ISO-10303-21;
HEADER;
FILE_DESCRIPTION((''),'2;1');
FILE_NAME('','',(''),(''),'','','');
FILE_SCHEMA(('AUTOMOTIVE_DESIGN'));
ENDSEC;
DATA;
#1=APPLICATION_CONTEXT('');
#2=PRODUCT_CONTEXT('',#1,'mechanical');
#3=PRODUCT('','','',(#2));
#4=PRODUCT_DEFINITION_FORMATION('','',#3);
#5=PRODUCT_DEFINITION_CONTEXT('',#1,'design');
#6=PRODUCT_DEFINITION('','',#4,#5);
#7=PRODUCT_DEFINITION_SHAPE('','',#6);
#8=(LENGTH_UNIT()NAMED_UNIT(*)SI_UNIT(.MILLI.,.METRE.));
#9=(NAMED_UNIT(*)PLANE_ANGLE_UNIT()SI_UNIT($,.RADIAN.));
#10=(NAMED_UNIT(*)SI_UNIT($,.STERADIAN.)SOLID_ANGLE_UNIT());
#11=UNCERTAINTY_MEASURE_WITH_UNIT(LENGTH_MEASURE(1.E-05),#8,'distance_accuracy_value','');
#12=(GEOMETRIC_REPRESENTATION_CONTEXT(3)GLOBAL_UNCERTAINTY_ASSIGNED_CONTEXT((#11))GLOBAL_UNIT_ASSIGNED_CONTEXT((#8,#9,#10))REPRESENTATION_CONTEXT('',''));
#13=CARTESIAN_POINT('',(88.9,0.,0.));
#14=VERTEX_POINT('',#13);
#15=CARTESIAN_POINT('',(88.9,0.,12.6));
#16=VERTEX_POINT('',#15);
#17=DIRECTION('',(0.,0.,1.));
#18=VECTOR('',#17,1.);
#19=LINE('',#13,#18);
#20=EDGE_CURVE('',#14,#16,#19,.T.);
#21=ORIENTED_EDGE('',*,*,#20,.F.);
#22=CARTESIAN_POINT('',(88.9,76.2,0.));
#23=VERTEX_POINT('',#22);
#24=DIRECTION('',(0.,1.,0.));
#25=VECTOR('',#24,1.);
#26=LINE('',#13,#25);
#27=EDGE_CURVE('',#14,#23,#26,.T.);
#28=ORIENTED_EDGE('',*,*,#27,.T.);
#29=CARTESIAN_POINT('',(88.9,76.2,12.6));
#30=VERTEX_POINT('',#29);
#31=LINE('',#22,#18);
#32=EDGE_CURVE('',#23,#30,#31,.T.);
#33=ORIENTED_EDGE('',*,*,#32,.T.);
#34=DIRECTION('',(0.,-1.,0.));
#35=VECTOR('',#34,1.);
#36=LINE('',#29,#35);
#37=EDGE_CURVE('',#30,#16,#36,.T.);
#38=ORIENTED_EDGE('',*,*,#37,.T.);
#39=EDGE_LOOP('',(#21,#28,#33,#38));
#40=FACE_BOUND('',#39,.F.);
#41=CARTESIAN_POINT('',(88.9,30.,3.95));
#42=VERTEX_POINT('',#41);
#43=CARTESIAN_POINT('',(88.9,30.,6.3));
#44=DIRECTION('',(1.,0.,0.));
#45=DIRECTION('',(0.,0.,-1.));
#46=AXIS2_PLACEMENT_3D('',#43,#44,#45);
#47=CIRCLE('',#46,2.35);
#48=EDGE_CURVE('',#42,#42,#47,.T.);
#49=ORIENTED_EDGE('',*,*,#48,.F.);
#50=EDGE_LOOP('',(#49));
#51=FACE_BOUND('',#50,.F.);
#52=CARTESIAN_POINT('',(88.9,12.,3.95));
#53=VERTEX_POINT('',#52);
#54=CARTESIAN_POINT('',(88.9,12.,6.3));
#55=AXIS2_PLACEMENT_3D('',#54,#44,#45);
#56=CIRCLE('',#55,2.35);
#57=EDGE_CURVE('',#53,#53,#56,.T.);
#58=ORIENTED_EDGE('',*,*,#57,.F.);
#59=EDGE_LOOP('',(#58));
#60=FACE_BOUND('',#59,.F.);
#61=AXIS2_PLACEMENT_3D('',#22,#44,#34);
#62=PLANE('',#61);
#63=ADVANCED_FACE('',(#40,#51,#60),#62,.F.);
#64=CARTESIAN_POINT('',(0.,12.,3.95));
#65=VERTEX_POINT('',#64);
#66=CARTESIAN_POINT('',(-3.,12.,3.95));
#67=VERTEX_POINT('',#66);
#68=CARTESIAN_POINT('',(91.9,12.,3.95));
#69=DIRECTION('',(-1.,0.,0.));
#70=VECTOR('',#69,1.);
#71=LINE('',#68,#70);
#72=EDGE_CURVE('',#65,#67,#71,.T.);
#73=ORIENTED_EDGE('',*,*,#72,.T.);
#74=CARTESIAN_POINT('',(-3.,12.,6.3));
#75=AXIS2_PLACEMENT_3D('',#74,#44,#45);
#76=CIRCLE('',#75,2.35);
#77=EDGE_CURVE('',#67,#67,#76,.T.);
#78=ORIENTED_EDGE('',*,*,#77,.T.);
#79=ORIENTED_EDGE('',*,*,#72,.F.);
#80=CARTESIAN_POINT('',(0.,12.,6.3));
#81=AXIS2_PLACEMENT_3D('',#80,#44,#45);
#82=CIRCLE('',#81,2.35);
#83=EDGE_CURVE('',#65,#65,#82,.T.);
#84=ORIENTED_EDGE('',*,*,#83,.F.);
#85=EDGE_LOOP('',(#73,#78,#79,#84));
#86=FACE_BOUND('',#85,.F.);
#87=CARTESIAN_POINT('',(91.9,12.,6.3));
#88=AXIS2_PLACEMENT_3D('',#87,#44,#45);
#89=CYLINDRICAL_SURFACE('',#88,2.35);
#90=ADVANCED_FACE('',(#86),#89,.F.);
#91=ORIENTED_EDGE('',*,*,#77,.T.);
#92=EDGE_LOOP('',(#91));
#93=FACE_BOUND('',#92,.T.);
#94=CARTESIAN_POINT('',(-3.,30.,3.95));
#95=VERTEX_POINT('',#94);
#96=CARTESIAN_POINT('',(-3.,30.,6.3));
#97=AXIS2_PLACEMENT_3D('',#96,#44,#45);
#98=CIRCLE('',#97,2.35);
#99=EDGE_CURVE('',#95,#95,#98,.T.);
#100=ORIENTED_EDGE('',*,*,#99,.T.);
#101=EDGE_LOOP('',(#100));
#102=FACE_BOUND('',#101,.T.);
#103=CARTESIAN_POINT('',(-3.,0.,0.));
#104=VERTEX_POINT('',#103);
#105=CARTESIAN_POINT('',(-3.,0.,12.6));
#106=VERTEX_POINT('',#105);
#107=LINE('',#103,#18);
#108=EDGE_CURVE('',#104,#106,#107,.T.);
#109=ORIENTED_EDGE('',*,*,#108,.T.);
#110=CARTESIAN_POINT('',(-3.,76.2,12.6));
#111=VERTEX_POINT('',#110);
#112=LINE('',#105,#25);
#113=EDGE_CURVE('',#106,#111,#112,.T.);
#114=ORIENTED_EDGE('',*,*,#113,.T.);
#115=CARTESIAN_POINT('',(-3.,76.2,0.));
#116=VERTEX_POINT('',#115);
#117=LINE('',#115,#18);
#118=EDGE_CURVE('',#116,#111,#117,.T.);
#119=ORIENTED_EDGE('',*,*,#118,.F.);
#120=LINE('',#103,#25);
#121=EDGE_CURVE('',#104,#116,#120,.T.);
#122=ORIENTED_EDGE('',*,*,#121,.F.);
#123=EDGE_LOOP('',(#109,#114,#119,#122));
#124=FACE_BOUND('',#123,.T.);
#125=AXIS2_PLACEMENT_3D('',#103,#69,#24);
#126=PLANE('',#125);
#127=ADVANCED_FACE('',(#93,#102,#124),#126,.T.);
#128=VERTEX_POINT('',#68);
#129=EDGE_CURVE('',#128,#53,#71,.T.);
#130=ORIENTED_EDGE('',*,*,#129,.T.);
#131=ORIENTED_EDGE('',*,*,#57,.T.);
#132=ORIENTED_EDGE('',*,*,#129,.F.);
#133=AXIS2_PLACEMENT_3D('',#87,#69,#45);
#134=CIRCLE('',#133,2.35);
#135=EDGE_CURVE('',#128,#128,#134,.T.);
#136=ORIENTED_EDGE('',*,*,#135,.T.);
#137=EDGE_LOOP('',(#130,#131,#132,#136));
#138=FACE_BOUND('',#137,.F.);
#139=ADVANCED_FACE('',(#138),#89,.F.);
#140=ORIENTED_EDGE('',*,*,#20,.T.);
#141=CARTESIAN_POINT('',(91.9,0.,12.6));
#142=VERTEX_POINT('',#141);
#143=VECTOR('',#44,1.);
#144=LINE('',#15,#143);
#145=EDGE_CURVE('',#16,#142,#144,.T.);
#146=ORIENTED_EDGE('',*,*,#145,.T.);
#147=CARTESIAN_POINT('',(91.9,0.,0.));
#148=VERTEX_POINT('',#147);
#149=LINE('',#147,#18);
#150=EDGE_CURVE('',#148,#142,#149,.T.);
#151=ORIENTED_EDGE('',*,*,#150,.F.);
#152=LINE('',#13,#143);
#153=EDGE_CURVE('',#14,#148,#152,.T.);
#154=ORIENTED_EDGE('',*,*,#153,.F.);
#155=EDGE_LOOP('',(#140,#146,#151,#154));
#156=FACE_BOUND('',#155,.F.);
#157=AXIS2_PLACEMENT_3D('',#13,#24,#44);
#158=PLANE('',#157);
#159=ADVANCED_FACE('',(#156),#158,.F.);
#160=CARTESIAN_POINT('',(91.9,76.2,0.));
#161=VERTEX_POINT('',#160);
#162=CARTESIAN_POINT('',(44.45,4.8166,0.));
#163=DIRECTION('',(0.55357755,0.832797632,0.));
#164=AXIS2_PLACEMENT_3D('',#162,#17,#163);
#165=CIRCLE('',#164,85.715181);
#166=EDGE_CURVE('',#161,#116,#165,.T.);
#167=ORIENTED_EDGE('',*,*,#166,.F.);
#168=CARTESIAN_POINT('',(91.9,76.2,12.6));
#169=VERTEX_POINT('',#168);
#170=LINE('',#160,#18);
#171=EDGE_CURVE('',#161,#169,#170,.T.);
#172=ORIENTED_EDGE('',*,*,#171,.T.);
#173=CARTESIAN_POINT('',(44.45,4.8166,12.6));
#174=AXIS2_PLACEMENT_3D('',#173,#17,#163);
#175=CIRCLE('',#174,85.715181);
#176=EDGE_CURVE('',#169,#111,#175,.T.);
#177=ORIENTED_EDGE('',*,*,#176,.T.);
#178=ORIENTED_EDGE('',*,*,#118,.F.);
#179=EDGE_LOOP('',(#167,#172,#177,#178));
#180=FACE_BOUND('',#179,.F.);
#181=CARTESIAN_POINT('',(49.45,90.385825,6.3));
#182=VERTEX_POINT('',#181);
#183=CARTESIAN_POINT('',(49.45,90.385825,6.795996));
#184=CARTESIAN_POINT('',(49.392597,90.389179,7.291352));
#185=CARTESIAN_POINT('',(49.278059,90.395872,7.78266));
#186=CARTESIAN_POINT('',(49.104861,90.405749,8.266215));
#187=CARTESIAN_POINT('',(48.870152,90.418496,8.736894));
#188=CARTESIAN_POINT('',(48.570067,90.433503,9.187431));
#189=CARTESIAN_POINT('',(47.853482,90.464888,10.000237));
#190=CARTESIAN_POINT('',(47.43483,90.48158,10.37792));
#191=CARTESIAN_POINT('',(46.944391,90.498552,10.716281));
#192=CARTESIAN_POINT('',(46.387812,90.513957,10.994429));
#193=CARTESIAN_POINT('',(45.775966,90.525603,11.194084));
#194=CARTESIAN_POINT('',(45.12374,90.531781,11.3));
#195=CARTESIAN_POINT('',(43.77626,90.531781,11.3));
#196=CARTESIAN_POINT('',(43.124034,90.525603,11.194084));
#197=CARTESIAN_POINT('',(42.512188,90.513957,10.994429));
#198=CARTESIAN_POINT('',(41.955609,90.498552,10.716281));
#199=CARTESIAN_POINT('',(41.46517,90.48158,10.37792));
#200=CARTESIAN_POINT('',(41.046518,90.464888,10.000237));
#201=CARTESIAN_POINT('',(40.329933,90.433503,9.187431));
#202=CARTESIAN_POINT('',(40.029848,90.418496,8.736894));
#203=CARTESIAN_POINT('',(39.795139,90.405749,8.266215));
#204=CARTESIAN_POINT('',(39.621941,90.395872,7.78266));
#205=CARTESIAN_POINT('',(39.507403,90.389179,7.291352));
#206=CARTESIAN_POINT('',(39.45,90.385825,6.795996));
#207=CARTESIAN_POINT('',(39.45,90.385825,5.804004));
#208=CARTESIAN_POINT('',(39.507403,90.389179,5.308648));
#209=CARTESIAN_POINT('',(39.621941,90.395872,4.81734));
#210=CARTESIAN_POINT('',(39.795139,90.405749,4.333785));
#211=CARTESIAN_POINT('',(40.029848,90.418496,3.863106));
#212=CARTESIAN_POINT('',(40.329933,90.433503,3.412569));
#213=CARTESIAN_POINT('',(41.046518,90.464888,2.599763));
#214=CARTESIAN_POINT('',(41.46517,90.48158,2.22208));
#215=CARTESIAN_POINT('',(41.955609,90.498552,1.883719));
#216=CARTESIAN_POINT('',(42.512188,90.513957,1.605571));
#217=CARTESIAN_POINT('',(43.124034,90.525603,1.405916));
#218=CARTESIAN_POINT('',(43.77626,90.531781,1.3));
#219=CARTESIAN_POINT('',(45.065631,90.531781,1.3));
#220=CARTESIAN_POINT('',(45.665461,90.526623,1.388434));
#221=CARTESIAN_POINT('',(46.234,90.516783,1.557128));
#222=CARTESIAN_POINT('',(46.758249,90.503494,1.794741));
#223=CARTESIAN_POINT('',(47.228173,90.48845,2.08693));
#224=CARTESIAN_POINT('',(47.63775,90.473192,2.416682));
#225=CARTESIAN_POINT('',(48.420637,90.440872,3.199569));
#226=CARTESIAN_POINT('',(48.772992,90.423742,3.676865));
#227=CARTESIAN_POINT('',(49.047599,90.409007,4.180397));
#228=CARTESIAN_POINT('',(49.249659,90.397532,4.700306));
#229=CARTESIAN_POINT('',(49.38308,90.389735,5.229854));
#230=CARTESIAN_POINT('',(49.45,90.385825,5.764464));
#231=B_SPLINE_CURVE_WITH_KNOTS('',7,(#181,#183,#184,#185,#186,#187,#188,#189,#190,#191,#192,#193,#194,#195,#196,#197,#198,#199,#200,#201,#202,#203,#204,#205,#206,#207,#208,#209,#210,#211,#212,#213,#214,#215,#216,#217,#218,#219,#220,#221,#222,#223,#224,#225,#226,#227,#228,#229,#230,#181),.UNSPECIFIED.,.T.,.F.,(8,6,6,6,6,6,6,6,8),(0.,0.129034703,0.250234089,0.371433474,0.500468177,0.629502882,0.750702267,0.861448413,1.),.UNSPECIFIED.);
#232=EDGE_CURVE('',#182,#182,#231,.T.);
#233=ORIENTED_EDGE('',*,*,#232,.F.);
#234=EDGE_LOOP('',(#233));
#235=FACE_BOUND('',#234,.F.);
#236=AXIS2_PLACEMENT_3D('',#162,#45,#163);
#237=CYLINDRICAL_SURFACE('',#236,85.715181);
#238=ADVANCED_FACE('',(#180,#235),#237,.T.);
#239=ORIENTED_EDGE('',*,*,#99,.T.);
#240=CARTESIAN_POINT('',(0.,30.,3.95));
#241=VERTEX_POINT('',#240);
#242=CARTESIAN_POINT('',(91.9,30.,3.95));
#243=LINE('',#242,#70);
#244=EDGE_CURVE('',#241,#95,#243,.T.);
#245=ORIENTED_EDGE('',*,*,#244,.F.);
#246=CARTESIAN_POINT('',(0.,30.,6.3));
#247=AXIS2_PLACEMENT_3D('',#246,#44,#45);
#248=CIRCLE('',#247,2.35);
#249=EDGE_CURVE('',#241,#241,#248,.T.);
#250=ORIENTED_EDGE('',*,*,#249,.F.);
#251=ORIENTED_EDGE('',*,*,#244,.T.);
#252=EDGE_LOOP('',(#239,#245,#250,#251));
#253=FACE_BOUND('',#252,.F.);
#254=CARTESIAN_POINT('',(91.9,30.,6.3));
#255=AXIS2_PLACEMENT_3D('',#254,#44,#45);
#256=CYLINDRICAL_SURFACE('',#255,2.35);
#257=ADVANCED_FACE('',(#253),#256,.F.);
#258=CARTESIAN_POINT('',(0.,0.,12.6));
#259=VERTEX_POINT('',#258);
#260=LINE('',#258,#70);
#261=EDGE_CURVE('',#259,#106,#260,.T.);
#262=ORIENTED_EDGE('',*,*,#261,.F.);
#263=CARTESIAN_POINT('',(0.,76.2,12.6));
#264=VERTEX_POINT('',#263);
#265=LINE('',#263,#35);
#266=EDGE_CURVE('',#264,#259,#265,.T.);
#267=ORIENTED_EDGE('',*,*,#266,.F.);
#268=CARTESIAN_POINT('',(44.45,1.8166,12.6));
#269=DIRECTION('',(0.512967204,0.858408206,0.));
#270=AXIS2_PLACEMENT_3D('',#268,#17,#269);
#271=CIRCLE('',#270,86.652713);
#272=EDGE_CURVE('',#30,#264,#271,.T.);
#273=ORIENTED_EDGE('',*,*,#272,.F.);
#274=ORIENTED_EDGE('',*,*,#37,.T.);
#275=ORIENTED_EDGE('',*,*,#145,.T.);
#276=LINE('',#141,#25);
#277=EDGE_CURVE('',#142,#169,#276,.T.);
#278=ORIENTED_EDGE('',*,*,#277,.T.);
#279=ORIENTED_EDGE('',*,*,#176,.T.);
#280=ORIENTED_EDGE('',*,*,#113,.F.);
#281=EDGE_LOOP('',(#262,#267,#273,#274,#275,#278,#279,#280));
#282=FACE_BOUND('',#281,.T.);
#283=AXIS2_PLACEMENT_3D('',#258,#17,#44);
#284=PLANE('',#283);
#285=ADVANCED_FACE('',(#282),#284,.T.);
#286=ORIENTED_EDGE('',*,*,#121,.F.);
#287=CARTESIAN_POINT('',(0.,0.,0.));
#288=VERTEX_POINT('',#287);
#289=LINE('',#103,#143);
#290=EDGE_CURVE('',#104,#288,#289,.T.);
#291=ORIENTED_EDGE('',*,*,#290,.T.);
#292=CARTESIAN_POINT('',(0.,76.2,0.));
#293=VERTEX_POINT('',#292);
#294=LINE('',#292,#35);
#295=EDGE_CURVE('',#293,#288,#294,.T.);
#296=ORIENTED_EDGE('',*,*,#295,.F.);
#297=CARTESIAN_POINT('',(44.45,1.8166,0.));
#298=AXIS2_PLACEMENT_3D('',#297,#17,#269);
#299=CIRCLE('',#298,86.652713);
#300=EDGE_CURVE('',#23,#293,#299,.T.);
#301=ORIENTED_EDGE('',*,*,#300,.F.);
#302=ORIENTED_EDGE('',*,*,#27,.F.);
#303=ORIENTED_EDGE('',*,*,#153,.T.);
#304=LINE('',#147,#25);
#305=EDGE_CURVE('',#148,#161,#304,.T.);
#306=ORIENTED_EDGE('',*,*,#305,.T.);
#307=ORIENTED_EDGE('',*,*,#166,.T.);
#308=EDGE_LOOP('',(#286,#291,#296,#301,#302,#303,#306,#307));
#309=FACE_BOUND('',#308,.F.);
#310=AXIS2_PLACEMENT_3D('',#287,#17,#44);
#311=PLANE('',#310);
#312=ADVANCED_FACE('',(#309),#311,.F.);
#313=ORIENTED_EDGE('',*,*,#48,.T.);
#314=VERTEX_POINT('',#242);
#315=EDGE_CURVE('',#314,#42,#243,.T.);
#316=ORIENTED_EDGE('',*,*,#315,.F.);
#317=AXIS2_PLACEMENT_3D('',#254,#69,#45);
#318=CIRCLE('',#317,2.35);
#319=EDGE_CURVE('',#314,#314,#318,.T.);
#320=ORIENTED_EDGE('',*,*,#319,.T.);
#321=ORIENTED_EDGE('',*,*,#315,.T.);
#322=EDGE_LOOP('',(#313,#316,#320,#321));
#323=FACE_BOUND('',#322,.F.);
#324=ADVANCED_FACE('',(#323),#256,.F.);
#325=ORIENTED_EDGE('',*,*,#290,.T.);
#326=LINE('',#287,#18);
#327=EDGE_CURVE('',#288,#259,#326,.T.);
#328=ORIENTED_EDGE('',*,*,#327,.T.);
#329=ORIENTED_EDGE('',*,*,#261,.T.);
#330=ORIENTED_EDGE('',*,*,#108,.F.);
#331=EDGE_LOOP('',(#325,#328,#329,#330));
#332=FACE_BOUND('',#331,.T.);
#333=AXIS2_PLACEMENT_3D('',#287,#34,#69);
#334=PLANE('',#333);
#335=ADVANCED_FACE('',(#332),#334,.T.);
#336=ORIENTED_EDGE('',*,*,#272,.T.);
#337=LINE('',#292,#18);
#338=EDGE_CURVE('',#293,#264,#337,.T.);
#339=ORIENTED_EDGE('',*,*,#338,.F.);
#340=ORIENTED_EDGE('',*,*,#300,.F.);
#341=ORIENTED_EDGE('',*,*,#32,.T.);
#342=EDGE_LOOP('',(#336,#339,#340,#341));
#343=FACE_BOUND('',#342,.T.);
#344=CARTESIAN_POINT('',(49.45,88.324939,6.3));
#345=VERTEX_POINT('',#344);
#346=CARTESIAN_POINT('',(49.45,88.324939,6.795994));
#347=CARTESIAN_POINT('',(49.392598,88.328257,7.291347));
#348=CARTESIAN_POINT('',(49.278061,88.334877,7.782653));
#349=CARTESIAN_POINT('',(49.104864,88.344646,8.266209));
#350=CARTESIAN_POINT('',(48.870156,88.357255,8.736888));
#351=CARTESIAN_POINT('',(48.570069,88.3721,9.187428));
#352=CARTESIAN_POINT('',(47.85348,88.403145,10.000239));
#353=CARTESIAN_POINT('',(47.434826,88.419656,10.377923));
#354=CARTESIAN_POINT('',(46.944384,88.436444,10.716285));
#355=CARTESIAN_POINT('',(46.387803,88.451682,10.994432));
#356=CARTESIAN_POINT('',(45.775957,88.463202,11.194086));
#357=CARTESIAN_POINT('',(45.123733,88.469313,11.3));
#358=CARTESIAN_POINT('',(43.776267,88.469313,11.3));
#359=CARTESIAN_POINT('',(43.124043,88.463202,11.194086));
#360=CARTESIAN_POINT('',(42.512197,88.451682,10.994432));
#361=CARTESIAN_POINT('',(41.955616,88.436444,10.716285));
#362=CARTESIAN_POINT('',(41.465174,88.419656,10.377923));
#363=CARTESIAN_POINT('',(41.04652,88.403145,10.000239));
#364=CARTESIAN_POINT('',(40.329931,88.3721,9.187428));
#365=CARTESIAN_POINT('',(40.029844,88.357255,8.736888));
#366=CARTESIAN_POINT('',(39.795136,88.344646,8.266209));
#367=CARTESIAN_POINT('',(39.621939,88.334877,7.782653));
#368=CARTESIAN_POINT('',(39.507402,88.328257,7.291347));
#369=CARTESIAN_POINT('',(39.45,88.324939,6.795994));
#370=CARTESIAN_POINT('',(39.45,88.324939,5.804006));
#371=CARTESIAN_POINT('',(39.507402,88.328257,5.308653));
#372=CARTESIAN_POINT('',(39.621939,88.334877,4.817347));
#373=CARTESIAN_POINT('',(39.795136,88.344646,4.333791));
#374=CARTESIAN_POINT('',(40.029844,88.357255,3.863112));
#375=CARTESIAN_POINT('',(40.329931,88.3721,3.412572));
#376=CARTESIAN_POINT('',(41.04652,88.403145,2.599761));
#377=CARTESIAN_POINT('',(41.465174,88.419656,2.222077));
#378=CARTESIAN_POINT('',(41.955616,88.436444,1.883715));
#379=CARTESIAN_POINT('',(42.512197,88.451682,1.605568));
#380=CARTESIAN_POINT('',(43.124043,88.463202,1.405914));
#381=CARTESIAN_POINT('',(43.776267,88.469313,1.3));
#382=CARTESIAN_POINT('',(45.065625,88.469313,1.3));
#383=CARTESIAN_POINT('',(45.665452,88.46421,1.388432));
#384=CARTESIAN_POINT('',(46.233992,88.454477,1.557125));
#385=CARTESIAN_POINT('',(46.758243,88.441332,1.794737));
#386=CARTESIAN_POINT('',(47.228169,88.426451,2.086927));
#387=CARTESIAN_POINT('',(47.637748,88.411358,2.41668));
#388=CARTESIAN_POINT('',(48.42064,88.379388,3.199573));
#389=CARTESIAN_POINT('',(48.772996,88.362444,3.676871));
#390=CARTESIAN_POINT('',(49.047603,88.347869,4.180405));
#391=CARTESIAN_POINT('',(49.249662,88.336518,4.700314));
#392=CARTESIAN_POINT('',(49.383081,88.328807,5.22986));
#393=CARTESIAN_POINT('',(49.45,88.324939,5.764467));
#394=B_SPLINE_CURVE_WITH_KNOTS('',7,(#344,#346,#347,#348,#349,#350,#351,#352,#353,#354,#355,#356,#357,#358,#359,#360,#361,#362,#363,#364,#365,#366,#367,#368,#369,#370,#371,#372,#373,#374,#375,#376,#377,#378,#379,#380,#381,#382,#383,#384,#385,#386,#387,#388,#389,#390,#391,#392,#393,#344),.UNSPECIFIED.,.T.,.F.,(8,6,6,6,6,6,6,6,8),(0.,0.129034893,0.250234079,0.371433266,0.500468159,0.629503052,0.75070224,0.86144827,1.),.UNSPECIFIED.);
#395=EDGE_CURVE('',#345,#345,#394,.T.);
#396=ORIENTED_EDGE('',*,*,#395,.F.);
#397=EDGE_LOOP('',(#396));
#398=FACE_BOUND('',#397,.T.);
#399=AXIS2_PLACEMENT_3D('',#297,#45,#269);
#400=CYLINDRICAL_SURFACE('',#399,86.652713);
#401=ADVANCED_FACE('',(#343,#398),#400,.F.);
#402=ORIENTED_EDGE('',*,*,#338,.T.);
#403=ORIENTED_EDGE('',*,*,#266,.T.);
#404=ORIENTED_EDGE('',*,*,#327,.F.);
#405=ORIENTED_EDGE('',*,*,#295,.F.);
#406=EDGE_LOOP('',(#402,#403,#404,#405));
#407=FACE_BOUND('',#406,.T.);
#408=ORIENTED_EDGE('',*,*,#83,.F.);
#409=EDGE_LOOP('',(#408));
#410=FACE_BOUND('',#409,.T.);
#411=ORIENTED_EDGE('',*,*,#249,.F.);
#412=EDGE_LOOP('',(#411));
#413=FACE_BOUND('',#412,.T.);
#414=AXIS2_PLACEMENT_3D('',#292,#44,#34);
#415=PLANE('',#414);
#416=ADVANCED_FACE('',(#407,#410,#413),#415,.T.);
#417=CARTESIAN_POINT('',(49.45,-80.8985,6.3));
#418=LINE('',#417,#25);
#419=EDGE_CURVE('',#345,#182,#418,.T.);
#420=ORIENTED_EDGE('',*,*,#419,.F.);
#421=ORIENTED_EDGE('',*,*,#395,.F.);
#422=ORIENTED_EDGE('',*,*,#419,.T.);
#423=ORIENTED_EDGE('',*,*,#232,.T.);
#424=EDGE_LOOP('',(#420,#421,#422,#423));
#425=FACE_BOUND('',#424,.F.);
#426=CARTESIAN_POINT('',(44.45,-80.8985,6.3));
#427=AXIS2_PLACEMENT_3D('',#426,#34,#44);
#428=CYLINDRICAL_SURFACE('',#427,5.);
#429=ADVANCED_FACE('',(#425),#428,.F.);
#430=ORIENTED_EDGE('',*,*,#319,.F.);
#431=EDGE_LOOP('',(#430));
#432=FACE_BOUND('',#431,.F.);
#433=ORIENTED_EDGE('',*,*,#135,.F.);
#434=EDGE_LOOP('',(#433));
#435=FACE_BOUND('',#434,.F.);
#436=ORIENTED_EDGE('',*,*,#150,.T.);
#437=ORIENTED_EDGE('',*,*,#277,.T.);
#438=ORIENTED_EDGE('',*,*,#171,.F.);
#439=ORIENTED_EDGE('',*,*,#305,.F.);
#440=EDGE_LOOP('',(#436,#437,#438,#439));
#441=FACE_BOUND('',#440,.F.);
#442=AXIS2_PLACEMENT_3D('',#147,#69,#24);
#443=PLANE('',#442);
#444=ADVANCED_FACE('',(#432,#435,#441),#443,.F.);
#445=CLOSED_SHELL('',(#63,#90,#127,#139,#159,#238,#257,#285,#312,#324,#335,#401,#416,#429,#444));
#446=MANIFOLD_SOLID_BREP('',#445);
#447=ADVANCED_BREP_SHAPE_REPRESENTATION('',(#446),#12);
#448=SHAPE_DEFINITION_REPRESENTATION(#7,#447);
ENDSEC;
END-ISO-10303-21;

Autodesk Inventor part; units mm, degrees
ref_plane "YZ Plane" through (0, 0, 0) normal (1, 0, 0) x (0, 1, 0)
ref_plane "XZ Plane" through (0, 0, 0) normal (0, 1, 0) x (-1, 0, 0)
sketch "Sketch1" plane through (0, 0, 0) normal (0, 0, 1) x (1, 0, 0)
  line L0 (0, 0) -> (88.9, 0)
  line L1 (0, 0) -> (-0.8653, 0)
  line L2 (88.9, 0) -> (18.4478, 0)
  line L3 (88.9, 22.8434) -> (88.9, 0)
  line L4 (0, 0) -> (-3, 0)
  line L5 (-3, 0) -> (-3, 76.2)
  line L6 (-3, 76.2) -> (0, 76.2)
  line L7 (0, 76.2) -> (0, 0)
  line L8 (88.9, 0) -> (91.9, 0)
  line L9 (91.9, 0) -> (91.9, 76.2)
  line L10 (91.9, 76.2) -> (88.9, 76.2)
  line L11 (88.9, 76.2) -> (88.9, 0)
  arc A0 (88.9, 76.2) -> (0, 76.2) centre (44.45, 1.8166) ccw
  arc A1 (91.9, 76.2) -> (-3, 76.2) centre (44.45, 4.8166) ccw
  dimension "d8" = 3
  dimension "d9" = 76.2
  dimension "d10" = 88.9
  dimension "d11" = 3
  dimension "d12" = 3
extrude "Extrusion1" add sketch "Sketch1" along normal blind 12.6 contours L1 L4 L5 L6 L7 | L6 A1 L10 A0 | L3 L11 L10 L9 L8
sketch "Sketch2" plane through (91.9, 0, 0) normal (1, 0, 0) x (0, 0, -1)
  line L0 (0, 0) -> (-6.3, 0)
  line L1 (-6.3, 0) -> (-6.3, 30)
  line L2 (-6.3, 30) -> (0, 30)
  line L3 (0, 30) -> (0, 0)
  circle A0 centre (-6.3, 30) radius 2.35
  circle A1 centre (-6.3, 12) radius 2.35
  dimension "d15" = 30
  dimension "d16" = 6.3
  dimension "d17" = 4.7
  dimension "d18" = 4.7
  dimension "d19" = 18
  dimension "d26" = 12
extrude "Extrusion2" cut sketch "Sketch2" against normal through all contours A1 L1 | L1 A1 | A0 L1 L2 | L2 L1 A0
ref_plane "Work Plane1" through (44.45, -80.8985, 0) normal (0, -1, 0) x (1, 0, 0)
sketch "Sketch3" plane through (44.45, -80.8985, 0) normal (0, -1, 0) x (1, 0, 0)
  line L0 (47.45, 0) -> (-47.45, 0) projected
  line L1 (-47.45, 0) -> (0, 0)
  line L2 (0, 0) -> (0, 6.3)
  line L3 (0, 6.3) -> (-47.45, 6.3)
  line L4 (-47.45, 6.3) -> (-47.45, 0)
  circle A0 centre (0, 6.3) radius 5
  point P0 (-44.45, 0)
  dimension "d22" = 6.3
  dimension "d23" = 10
extrude "Extrusion3" cut sketch "Sketch3" against normal through all contours A0 L3 L2 | L2 L3 A0
properties part number "pulleybracket" material "Iron, Cast"
